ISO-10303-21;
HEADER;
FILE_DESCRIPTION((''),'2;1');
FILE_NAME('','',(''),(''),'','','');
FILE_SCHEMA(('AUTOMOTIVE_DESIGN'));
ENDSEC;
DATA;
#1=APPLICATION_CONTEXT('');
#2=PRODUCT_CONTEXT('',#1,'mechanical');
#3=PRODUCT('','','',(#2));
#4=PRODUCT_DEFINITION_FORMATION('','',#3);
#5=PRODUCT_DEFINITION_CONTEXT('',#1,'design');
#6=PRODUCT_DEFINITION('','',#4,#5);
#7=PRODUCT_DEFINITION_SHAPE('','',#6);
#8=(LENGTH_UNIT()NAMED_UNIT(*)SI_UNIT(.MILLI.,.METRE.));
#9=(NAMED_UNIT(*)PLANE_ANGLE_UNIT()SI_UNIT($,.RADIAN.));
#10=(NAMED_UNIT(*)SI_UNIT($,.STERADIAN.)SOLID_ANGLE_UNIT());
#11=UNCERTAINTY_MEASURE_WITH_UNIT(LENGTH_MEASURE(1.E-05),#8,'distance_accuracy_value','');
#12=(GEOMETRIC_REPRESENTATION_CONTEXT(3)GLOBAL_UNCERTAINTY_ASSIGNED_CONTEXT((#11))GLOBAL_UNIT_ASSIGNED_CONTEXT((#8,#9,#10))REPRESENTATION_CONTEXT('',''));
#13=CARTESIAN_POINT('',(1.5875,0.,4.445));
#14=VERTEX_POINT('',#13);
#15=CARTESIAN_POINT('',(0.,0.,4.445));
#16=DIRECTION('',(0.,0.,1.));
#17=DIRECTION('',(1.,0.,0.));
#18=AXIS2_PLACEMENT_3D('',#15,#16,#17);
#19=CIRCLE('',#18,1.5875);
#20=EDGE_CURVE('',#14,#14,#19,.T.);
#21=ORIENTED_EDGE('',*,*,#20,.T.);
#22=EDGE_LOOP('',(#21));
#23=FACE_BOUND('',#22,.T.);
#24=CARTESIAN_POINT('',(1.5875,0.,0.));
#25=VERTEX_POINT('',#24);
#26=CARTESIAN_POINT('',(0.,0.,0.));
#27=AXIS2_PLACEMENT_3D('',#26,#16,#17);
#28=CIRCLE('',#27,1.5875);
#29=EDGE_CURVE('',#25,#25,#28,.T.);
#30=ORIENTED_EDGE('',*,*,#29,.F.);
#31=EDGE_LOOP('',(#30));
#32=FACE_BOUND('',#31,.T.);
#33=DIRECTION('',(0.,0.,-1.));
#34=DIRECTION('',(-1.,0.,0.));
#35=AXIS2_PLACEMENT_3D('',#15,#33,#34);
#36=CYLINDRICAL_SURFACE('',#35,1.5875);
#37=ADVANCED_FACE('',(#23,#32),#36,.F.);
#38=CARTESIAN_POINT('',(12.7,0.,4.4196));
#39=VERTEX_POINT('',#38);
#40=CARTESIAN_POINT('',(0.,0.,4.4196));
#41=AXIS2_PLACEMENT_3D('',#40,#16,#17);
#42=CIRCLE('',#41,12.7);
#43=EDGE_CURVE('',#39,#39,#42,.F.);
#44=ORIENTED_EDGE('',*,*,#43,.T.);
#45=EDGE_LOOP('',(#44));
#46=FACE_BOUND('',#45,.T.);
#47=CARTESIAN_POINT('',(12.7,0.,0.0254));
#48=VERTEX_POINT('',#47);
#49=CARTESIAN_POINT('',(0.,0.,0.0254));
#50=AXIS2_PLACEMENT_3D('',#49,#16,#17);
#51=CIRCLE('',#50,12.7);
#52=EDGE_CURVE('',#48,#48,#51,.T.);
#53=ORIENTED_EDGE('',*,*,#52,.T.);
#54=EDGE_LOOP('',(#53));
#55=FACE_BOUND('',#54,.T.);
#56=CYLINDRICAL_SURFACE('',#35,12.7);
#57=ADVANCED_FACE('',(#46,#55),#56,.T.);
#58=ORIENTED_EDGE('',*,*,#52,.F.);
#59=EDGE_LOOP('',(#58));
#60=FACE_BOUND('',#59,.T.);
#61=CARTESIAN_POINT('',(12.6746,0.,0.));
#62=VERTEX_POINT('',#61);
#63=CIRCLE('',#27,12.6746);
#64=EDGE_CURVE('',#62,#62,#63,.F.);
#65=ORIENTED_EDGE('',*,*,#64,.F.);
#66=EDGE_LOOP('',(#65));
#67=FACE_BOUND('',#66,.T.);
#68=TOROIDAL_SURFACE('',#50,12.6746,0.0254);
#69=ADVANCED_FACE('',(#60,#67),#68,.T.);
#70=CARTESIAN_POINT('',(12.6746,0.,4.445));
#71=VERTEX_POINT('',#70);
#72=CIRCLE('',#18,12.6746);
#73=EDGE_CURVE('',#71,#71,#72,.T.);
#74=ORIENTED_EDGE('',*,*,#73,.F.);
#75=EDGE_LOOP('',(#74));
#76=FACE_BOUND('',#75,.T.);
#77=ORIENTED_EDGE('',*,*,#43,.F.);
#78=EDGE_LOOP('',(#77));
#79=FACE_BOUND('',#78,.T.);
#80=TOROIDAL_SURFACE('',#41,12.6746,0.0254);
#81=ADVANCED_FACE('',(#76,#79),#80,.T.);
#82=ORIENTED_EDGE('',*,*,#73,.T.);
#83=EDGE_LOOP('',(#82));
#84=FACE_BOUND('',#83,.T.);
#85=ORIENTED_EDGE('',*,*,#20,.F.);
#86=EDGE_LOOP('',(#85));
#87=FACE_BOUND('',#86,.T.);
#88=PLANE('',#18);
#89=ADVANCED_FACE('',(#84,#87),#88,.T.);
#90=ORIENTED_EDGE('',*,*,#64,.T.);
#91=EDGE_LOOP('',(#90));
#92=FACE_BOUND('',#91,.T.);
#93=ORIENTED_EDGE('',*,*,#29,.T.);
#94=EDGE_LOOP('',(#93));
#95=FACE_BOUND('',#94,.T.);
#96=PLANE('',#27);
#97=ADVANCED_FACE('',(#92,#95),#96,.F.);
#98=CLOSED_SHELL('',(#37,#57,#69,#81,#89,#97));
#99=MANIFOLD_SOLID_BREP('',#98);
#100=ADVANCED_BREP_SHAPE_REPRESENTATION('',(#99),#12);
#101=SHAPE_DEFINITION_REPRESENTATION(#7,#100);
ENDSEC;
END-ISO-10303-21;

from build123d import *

# Parameters (mm, degrees)
SKETCH1_R      = 12.7
SKETCH1_R_2    = 1.5875
EXTRUDE1_DEPTH = 4.445
FILLET1_R      = 0.0254


with BuildPart() as part:
    # Sketch1 → Extrude1 (new body)
    with BuildSketch(Plane.XY):
        Circle(SKETCH1_R)
        Circle(SKETCH1_R_2, mode=Mode.SUBTRACT)
    extrude(amount=EXTRUDE1_DEPTH)

    # Fillet1
    fillet1_edges = [part.edges().sort_by_distance(p)[0] for p in [
        (-12.7, 0, 0),
        (-12.7, 0, 4.445),
    ]]
    fillet(fillet1_edges, radius=FILLET1_R)


solid = part.part
